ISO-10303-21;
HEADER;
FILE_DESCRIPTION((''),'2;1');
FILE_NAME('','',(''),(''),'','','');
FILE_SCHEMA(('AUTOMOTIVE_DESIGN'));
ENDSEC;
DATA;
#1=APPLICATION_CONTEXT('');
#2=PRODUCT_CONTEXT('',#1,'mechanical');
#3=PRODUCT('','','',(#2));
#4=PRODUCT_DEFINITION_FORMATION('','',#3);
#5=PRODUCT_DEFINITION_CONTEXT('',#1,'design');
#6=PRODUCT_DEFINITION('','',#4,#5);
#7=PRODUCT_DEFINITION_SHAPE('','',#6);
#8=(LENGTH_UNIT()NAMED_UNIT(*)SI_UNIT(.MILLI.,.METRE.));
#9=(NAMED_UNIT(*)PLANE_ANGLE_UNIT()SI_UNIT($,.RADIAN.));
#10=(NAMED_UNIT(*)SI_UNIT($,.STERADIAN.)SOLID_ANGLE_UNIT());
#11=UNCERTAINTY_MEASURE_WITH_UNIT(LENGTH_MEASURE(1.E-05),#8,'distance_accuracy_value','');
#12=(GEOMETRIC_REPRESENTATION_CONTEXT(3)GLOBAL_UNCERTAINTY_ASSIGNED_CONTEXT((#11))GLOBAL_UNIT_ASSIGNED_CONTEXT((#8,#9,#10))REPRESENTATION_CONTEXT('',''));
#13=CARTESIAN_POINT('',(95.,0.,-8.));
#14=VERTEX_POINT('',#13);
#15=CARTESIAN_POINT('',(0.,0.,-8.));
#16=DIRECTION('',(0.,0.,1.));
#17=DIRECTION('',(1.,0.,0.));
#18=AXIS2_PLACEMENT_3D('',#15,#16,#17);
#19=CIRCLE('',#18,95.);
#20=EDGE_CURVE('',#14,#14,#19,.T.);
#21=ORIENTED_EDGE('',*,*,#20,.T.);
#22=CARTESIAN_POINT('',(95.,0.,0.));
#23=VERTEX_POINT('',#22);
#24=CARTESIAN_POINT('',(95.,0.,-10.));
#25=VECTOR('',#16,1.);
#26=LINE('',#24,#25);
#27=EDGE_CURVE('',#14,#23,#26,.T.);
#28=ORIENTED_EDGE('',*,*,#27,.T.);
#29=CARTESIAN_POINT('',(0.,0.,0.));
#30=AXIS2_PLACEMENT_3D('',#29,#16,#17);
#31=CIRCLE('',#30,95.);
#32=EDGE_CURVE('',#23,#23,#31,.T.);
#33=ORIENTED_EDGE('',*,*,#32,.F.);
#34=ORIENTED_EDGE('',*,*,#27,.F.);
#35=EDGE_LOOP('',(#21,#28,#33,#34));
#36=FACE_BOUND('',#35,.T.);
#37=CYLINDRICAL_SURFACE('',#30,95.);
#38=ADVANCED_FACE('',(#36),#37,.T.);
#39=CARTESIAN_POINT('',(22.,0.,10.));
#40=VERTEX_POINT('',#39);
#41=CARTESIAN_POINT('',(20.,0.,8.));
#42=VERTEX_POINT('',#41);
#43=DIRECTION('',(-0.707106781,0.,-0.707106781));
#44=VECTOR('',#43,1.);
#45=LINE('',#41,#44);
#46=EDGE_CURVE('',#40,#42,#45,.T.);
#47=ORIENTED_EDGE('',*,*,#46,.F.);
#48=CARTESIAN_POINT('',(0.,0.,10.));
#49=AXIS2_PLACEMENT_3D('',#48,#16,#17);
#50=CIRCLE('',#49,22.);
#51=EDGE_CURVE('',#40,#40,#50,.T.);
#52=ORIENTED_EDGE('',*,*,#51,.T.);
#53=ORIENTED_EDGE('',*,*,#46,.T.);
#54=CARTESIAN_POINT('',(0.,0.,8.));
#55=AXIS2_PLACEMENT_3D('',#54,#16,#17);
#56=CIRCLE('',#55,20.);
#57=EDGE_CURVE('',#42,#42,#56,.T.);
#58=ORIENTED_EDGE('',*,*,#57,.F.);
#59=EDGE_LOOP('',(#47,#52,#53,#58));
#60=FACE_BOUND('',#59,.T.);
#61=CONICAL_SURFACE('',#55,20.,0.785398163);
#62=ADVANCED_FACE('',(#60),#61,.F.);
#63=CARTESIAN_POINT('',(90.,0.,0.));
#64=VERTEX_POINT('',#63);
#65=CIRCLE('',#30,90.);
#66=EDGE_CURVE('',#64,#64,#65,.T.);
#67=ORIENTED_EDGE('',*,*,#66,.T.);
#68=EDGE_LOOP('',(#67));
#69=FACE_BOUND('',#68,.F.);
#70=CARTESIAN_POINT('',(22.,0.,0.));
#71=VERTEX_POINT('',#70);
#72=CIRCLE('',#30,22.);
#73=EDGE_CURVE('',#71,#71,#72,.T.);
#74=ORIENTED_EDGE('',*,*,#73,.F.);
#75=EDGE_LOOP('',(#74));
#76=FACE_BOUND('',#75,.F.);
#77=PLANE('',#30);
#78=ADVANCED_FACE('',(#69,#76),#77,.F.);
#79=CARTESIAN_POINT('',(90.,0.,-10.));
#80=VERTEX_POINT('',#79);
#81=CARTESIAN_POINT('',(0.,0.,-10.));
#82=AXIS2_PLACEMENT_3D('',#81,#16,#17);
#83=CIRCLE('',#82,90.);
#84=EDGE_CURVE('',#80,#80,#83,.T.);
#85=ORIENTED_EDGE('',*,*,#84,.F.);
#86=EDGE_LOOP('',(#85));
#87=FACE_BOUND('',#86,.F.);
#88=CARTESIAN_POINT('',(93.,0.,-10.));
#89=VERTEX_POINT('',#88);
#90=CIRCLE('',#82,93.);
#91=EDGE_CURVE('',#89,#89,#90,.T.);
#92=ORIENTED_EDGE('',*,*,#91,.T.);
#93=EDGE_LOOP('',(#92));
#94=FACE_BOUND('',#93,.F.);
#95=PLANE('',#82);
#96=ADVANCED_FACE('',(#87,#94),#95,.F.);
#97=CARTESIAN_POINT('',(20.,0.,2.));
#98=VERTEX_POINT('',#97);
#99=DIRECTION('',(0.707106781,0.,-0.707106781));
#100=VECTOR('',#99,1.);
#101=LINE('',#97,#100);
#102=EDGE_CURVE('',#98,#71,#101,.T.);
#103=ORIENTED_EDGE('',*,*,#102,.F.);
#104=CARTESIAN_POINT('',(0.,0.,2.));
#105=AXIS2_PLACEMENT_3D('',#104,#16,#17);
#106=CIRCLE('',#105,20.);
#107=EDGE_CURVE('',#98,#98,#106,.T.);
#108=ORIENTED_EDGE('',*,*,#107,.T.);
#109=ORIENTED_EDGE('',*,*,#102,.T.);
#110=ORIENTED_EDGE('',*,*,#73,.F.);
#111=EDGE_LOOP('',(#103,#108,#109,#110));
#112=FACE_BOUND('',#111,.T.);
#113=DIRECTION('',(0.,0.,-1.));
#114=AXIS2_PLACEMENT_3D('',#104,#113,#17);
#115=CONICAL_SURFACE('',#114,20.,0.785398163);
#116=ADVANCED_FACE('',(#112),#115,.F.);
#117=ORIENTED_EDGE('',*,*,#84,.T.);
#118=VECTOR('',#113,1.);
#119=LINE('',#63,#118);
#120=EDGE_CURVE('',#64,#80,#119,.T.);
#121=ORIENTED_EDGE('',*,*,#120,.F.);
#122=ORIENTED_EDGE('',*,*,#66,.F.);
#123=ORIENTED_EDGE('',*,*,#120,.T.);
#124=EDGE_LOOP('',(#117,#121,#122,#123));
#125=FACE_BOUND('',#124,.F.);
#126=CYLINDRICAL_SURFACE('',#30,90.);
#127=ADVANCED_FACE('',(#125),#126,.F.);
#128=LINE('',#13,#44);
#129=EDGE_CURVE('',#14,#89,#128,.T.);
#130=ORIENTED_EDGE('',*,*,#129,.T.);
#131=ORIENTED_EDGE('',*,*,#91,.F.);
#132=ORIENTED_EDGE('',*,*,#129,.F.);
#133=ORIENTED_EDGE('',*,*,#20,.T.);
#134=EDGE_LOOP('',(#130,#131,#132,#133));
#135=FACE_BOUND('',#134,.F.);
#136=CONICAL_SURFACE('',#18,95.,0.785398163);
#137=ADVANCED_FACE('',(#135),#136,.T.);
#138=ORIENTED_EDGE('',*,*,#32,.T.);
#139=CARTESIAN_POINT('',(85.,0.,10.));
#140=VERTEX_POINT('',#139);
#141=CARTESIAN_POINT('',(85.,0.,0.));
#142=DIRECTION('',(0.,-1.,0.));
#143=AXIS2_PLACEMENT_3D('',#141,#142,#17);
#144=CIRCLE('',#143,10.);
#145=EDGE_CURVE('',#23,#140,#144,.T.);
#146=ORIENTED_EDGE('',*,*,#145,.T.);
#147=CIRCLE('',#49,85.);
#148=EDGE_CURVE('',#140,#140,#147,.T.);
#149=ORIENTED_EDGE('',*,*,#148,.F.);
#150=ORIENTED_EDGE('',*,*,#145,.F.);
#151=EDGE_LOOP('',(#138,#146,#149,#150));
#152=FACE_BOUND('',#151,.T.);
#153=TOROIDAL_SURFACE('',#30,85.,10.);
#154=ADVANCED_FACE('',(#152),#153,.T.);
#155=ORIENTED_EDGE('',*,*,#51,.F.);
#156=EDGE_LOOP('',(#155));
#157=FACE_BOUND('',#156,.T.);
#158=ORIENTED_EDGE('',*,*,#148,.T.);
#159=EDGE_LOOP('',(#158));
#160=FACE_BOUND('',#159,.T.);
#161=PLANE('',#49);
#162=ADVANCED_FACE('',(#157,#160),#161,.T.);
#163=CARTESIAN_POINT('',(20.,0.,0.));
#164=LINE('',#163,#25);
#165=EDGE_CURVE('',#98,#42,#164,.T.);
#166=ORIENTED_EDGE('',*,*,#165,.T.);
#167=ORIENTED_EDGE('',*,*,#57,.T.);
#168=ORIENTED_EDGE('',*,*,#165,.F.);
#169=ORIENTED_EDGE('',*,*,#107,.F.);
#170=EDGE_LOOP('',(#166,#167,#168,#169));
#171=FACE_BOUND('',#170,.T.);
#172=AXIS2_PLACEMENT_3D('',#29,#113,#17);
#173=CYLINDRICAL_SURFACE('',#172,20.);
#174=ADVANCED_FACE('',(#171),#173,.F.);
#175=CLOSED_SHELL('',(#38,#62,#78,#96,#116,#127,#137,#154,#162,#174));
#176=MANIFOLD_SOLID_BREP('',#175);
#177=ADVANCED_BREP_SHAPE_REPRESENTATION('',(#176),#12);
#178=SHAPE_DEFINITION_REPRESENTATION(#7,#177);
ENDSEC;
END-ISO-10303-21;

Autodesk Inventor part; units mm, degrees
ref_plane "YZ Plane" through (0, 0, 0) normal (1, 0, 0) x (0, 1, 0)
ref_plane "XZ Plane" through (0, 0, 0) normal (0, 1, 0) x (-1, 0, 0)
ref_plane "XY Plane" through (0, 0, 0) normal (0, 0, 1) x (1, 0, 0)
sketch "Szkic1" plane through (0, 0, 0) normal (0, 0, 1) x (1, 0, 0)
  circle A0 centre (0, 0) radius 90 projected
  circle A1 centre (0, 0) radius 90
  circle A2 centre (0, 0) radius 95
  point P0 (0, 0)
  dimension "d0" = 190
extrude "Wyciągnięcie proste1" add sketch "Szkic1" against normal blind 10
ref_plane "Płaszczyzna konstrukcyjna1" through (0, 0, 0) normal (0, 0, 1) x (1, 0, 0)
sketch "Szkic2" plane through (0, 0, 0) normal (0, 0, 1) x (1, 0, 0)
  circle A0 centre (0, 0) radius 95
  circle A1 centre (0, 0) radius 20
  dimension "d3" = 40
extrude "Wyciągnięcie proste2" add sketch "Szkic2" along normal blind 10
fillet "Zaokrąglenie1" radius 10 1 edges at (-95, 0, 10)
chamfer "Faza1" distance 2 angle 45 1 edges at (-95, 0, -10)
chamfer "Faza2" distance 2 angle 45 2 edges at (-20, 0, 0) (-20, 0, 10)
properties part number "dekieltop" material "PCW, nieplastyfikowany"
